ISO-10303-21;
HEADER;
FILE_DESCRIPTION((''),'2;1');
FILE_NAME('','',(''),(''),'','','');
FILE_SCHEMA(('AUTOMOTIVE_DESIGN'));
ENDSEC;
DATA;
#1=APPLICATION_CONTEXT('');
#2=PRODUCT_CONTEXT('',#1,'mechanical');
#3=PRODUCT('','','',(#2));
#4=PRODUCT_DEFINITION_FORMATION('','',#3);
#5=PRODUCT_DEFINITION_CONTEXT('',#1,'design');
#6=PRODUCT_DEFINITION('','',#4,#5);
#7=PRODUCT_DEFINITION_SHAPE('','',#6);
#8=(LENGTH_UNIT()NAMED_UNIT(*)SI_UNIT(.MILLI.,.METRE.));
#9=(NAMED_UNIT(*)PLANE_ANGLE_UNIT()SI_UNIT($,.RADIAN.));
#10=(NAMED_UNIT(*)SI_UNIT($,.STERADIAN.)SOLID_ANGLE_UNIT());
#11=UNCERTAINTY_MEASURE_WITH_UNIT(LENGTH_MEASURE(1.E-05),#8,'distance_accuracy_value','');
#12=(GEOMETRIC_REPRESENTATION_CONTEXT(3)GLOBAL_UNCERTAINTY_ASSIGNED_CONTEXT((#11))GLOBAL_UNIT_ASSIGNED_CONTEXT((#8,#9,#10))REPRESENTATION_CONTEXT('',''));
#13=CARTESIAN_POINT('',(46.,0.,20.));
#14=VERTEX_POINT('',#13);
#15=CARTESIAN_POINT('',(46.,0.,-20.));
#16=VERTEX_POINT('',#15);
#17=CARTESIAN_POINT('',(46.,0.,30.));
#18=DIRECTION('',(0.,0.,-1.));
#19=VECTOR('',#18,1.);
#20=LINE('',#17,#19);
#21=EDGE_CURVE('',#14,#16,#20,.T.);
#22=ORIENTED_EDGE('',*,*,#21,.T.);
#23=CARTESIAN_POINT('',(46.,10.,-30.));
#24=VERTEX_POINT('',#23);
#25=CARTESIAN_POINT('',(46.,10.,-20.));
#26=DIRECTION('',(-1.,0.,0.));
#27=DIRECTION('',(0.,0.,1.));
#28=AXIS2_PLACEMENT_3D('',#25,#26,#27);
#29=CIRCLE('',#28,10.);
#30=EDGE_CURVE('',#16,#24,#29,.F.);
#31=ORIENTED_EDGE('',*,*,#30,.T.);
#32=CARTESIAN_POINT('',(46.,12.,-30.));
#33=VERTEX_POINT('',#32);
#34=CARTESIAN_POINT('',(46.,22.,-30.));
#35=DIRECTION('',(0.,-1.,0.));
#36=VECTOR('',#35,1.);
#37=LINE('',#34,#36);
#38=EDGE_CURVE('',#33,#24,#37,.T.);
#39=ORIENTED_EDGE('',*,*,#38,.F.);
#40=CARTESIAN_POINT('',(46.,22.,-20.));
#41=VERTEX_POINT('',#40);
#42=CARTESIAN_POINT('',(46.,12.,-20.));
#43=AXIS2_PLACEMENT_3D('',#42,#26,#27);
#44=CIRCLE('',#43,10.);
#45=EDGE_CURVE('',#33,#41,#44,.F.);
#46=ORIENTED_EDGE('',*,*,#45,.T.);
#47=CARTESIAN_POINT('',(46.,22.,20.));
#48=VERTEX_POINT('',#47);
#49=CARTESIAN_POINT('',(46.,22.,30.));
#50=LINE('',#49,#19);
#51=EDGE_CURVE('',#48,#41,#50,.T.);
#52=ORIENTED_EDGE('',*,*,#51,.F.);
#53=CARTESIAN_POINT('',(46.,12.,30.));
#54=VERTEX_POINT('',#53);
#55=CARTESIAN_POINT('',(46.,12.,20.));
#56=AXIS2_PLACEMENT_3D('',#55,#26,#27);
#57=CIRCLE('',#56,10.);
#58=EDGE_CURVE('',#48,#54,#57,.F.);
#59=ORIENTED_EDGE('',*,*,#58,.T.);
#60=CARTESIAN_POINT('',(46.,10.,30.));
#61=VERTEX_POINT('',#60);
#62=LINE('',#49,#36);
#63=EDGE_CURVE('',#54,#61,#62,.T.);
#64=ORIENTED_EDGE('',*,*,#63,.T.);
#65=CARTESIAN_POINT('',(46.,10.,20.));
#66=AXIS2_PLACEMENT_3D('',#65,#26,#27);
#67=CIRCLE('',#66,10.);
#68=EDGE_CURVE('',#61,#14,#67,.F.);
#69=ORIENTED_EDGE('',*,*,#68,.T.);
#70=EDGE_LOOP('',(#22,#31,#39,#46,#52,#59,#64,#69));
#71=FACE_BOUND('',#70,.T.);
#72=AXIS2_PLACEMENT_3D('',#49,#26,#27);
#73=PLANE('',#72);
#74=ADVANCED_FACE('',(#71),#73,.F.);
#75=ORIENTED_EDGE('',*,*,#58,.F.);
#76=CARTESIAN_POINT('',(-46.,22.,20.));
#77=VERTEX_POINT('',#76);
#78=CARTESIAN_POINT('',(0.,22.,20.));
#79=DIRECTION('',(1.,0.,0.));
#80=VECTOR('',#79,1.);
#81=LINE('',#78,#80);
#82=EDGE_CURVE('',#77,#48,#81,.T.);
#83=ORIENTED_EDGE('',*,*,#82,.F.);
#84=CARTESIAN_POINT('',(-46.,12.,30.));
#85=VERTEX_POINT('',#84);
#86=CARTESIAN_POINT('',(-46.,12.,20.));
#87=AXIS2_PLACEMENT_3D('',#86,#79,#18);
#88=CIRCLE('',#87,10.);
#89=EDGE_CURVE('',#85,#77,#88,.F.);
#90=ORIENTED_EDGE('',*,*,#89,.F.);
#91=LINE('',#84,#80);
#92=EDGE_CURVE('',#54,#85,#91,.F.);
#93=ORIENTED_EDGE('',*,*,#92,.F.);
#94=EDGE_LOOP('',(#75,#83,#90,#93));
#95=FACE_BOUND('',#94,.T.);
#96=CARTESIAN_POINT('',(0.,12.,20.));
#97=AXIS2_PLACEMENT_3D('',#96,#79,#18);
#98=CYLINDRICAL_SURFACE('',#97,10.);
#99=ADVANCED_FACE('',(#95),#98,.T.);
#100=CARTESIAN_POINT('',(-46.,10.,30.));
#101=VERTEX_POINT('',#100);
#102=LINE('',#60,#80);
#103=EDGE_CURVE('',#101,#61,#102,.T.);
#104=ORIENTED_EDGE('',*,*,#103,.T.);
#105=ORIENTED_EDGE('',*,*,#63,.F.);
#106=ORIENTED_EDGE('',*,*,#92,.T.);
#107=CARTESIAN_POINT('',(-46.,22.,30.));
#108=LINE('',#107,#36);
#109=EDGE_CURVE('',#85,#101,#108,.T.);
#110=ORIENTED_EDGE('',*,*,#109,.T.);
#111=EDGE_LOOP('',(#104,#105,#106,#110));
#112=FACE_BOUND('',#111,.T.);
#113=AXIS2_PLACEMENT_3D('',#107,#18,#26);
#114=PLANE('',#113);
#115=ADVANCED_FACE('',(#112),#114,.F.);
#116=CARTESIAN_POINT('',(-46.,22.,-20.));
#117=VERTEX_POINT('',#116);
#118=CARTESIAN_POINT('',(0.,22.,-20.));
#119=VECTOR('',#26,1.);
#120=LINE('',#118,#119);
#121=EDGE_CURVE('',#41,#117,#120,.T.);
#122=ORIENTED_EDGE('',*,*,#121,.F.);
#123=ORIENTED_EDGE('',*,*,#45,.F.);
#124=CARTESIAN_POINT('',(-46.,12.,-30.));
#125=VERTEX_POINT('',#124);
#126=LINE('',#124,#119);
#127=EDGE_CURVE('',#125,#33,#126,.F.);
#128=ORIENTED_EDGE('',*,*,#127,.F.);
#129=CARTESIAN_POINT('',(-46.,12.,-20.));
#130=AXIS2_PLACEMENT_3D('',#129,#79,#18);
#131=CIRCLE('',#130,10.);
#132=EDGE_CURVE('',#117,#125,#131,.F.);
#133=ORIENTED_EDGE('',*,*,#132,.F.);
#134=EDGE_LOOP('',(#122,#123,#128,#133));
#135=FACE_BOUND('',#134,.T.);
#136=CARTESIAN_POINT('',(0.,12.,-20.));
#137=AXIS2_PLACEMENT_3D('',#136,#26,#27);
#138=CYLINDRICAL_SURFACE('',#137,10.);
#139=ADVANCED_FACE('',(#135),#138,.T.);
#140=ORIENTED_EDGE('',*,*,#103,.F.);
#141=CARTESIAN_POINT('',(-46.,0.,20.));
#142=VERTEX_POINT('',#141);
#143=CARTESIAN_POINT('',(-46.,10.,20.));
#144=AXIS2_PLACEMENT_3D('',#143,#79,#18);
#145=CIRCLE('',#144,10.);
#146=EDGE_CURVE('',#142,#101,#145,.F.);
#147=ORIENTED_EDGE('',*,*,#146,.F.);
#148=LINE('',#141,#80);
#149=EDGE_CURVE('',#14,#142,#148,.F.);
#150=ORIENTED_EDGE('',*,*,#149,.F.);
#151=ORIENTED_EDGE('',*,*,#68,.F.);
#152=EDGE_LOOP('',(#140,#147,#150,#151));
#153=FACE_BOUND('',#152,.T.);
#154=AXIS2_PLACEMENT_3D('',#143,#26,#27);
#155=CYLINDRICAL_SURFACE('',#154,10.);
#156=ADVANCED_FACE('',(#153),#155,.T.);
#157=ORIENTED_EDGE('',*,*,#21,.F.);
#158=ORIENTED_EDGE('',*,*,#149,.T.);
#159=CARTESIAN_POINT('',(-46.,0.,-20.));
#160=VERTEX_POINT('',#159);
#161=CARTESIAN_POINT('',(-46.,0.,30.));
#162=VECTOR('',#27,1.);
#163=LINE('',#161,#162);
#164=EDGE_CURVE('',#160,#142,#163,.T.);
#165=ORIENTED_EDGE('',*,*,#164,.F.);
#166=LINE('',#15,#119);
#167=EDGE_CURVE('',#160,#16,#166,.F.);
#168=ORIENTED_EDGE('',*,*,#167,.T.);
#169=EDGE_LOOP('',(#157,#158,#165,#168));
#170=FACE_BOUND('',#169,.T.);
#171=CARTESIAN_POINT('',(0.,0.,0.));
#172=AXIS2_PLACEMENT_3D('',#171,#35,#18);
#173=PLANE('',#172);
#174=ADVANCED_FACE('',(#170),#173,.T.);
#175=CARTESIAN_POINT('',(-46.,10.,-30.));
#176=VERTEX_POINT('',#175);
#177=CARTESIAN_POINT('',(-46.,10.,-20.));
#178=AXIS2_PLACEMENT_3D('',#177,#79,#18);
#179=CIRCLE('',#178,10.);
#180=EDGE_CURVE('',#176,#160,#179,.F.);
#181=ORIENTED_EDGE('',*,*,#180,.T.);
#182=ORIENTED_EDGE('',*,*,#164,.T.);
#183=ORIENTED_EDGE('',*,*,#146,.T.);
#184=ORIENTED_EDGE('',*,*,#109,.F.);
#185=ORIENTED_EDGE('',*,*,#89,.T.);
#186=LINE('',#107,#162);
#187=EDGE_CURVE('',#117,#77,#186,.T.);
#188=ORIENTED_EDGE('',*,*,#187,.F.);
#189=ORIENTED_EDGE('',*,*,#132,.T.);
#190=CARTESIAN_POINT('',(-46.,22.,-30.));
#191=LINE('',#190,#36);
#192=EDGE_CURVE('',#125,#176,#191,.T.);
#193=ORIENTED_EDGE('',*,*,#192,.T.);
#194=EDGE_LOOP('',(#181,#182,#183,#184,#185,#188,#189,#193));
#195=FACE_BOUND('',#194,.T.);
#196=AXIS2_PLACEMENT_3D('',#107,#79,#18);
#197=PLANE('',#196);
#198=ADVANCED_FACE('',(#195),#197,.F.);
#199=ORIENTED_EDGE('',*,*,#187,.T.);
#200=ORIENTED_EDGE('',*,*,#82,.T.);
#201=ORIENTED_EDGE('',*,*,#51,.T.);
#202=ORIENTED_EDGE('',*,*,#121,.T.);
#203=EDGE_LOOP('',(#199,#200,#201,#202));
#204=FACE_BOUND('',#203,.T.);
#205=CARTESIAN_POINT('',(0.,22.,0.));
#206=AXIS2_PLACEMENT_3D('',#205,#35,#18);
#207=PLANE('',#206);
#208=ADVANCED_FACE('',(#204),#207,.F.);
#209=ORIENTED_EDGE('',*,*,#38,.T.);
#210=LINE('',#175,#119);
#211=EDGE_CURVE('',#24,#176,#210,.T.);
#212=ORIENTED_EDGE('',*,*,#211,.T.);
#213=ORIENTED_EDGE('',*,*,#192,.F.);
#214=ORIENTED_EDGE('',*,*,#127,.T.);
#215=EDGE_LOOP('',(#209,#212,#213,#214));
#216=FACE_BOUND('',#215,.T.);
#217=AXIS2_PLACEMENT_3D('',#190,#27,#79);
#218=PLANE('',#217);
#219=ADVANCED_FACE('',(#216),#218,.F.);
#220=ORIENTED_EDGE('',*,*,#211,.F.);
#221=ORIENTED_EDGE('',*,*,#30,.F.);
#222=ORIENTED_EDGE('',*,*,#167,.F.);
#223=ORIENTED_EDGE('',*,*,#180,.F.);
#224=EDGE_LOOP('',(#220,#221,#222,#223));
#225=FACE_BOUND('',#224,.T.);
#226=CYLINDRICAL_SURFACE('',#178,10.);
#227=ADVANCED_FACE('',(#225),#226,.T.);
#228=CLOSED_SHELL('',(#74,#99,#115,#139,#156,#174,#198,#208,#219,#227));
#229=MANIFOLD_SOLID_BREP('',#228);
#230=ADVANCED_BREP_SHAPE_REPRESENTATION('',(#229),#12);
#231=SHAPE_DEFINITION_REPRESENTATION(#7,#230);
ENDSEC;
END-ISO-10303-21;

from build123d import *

# Parameters (mm, degrees)
SKETCH1_W           = 92
SKETCH1_H           = 60
BOSS_EXTRUDE1_DEPTH = 22
FILLET1_R           = 10


with BuildPart() as part:
    # Sketch1 → Boss-Extrude1 (new body)
    with BuildSketch(Plane(origin=(0, 0, 0), x_dir=(1, 0, 0), z_dir=(0, 1, 0))):
        Rectangle(SKETCH1_W, SKETCH1_H)
    extrude(amount=BOSS_EXTRUDE1_DEPTH)

    # Fillet1
    fillet1_edges = [part.edges().sort_by_distance(p)[0] for p in [
        (0, 22, 30),
        (0, 0, 30),
        (0, 0, -30),
        (0, 22, -30),
    ]]
    fillet(fillet1_edges, radius=FILLET1_R)


solid = part.part
